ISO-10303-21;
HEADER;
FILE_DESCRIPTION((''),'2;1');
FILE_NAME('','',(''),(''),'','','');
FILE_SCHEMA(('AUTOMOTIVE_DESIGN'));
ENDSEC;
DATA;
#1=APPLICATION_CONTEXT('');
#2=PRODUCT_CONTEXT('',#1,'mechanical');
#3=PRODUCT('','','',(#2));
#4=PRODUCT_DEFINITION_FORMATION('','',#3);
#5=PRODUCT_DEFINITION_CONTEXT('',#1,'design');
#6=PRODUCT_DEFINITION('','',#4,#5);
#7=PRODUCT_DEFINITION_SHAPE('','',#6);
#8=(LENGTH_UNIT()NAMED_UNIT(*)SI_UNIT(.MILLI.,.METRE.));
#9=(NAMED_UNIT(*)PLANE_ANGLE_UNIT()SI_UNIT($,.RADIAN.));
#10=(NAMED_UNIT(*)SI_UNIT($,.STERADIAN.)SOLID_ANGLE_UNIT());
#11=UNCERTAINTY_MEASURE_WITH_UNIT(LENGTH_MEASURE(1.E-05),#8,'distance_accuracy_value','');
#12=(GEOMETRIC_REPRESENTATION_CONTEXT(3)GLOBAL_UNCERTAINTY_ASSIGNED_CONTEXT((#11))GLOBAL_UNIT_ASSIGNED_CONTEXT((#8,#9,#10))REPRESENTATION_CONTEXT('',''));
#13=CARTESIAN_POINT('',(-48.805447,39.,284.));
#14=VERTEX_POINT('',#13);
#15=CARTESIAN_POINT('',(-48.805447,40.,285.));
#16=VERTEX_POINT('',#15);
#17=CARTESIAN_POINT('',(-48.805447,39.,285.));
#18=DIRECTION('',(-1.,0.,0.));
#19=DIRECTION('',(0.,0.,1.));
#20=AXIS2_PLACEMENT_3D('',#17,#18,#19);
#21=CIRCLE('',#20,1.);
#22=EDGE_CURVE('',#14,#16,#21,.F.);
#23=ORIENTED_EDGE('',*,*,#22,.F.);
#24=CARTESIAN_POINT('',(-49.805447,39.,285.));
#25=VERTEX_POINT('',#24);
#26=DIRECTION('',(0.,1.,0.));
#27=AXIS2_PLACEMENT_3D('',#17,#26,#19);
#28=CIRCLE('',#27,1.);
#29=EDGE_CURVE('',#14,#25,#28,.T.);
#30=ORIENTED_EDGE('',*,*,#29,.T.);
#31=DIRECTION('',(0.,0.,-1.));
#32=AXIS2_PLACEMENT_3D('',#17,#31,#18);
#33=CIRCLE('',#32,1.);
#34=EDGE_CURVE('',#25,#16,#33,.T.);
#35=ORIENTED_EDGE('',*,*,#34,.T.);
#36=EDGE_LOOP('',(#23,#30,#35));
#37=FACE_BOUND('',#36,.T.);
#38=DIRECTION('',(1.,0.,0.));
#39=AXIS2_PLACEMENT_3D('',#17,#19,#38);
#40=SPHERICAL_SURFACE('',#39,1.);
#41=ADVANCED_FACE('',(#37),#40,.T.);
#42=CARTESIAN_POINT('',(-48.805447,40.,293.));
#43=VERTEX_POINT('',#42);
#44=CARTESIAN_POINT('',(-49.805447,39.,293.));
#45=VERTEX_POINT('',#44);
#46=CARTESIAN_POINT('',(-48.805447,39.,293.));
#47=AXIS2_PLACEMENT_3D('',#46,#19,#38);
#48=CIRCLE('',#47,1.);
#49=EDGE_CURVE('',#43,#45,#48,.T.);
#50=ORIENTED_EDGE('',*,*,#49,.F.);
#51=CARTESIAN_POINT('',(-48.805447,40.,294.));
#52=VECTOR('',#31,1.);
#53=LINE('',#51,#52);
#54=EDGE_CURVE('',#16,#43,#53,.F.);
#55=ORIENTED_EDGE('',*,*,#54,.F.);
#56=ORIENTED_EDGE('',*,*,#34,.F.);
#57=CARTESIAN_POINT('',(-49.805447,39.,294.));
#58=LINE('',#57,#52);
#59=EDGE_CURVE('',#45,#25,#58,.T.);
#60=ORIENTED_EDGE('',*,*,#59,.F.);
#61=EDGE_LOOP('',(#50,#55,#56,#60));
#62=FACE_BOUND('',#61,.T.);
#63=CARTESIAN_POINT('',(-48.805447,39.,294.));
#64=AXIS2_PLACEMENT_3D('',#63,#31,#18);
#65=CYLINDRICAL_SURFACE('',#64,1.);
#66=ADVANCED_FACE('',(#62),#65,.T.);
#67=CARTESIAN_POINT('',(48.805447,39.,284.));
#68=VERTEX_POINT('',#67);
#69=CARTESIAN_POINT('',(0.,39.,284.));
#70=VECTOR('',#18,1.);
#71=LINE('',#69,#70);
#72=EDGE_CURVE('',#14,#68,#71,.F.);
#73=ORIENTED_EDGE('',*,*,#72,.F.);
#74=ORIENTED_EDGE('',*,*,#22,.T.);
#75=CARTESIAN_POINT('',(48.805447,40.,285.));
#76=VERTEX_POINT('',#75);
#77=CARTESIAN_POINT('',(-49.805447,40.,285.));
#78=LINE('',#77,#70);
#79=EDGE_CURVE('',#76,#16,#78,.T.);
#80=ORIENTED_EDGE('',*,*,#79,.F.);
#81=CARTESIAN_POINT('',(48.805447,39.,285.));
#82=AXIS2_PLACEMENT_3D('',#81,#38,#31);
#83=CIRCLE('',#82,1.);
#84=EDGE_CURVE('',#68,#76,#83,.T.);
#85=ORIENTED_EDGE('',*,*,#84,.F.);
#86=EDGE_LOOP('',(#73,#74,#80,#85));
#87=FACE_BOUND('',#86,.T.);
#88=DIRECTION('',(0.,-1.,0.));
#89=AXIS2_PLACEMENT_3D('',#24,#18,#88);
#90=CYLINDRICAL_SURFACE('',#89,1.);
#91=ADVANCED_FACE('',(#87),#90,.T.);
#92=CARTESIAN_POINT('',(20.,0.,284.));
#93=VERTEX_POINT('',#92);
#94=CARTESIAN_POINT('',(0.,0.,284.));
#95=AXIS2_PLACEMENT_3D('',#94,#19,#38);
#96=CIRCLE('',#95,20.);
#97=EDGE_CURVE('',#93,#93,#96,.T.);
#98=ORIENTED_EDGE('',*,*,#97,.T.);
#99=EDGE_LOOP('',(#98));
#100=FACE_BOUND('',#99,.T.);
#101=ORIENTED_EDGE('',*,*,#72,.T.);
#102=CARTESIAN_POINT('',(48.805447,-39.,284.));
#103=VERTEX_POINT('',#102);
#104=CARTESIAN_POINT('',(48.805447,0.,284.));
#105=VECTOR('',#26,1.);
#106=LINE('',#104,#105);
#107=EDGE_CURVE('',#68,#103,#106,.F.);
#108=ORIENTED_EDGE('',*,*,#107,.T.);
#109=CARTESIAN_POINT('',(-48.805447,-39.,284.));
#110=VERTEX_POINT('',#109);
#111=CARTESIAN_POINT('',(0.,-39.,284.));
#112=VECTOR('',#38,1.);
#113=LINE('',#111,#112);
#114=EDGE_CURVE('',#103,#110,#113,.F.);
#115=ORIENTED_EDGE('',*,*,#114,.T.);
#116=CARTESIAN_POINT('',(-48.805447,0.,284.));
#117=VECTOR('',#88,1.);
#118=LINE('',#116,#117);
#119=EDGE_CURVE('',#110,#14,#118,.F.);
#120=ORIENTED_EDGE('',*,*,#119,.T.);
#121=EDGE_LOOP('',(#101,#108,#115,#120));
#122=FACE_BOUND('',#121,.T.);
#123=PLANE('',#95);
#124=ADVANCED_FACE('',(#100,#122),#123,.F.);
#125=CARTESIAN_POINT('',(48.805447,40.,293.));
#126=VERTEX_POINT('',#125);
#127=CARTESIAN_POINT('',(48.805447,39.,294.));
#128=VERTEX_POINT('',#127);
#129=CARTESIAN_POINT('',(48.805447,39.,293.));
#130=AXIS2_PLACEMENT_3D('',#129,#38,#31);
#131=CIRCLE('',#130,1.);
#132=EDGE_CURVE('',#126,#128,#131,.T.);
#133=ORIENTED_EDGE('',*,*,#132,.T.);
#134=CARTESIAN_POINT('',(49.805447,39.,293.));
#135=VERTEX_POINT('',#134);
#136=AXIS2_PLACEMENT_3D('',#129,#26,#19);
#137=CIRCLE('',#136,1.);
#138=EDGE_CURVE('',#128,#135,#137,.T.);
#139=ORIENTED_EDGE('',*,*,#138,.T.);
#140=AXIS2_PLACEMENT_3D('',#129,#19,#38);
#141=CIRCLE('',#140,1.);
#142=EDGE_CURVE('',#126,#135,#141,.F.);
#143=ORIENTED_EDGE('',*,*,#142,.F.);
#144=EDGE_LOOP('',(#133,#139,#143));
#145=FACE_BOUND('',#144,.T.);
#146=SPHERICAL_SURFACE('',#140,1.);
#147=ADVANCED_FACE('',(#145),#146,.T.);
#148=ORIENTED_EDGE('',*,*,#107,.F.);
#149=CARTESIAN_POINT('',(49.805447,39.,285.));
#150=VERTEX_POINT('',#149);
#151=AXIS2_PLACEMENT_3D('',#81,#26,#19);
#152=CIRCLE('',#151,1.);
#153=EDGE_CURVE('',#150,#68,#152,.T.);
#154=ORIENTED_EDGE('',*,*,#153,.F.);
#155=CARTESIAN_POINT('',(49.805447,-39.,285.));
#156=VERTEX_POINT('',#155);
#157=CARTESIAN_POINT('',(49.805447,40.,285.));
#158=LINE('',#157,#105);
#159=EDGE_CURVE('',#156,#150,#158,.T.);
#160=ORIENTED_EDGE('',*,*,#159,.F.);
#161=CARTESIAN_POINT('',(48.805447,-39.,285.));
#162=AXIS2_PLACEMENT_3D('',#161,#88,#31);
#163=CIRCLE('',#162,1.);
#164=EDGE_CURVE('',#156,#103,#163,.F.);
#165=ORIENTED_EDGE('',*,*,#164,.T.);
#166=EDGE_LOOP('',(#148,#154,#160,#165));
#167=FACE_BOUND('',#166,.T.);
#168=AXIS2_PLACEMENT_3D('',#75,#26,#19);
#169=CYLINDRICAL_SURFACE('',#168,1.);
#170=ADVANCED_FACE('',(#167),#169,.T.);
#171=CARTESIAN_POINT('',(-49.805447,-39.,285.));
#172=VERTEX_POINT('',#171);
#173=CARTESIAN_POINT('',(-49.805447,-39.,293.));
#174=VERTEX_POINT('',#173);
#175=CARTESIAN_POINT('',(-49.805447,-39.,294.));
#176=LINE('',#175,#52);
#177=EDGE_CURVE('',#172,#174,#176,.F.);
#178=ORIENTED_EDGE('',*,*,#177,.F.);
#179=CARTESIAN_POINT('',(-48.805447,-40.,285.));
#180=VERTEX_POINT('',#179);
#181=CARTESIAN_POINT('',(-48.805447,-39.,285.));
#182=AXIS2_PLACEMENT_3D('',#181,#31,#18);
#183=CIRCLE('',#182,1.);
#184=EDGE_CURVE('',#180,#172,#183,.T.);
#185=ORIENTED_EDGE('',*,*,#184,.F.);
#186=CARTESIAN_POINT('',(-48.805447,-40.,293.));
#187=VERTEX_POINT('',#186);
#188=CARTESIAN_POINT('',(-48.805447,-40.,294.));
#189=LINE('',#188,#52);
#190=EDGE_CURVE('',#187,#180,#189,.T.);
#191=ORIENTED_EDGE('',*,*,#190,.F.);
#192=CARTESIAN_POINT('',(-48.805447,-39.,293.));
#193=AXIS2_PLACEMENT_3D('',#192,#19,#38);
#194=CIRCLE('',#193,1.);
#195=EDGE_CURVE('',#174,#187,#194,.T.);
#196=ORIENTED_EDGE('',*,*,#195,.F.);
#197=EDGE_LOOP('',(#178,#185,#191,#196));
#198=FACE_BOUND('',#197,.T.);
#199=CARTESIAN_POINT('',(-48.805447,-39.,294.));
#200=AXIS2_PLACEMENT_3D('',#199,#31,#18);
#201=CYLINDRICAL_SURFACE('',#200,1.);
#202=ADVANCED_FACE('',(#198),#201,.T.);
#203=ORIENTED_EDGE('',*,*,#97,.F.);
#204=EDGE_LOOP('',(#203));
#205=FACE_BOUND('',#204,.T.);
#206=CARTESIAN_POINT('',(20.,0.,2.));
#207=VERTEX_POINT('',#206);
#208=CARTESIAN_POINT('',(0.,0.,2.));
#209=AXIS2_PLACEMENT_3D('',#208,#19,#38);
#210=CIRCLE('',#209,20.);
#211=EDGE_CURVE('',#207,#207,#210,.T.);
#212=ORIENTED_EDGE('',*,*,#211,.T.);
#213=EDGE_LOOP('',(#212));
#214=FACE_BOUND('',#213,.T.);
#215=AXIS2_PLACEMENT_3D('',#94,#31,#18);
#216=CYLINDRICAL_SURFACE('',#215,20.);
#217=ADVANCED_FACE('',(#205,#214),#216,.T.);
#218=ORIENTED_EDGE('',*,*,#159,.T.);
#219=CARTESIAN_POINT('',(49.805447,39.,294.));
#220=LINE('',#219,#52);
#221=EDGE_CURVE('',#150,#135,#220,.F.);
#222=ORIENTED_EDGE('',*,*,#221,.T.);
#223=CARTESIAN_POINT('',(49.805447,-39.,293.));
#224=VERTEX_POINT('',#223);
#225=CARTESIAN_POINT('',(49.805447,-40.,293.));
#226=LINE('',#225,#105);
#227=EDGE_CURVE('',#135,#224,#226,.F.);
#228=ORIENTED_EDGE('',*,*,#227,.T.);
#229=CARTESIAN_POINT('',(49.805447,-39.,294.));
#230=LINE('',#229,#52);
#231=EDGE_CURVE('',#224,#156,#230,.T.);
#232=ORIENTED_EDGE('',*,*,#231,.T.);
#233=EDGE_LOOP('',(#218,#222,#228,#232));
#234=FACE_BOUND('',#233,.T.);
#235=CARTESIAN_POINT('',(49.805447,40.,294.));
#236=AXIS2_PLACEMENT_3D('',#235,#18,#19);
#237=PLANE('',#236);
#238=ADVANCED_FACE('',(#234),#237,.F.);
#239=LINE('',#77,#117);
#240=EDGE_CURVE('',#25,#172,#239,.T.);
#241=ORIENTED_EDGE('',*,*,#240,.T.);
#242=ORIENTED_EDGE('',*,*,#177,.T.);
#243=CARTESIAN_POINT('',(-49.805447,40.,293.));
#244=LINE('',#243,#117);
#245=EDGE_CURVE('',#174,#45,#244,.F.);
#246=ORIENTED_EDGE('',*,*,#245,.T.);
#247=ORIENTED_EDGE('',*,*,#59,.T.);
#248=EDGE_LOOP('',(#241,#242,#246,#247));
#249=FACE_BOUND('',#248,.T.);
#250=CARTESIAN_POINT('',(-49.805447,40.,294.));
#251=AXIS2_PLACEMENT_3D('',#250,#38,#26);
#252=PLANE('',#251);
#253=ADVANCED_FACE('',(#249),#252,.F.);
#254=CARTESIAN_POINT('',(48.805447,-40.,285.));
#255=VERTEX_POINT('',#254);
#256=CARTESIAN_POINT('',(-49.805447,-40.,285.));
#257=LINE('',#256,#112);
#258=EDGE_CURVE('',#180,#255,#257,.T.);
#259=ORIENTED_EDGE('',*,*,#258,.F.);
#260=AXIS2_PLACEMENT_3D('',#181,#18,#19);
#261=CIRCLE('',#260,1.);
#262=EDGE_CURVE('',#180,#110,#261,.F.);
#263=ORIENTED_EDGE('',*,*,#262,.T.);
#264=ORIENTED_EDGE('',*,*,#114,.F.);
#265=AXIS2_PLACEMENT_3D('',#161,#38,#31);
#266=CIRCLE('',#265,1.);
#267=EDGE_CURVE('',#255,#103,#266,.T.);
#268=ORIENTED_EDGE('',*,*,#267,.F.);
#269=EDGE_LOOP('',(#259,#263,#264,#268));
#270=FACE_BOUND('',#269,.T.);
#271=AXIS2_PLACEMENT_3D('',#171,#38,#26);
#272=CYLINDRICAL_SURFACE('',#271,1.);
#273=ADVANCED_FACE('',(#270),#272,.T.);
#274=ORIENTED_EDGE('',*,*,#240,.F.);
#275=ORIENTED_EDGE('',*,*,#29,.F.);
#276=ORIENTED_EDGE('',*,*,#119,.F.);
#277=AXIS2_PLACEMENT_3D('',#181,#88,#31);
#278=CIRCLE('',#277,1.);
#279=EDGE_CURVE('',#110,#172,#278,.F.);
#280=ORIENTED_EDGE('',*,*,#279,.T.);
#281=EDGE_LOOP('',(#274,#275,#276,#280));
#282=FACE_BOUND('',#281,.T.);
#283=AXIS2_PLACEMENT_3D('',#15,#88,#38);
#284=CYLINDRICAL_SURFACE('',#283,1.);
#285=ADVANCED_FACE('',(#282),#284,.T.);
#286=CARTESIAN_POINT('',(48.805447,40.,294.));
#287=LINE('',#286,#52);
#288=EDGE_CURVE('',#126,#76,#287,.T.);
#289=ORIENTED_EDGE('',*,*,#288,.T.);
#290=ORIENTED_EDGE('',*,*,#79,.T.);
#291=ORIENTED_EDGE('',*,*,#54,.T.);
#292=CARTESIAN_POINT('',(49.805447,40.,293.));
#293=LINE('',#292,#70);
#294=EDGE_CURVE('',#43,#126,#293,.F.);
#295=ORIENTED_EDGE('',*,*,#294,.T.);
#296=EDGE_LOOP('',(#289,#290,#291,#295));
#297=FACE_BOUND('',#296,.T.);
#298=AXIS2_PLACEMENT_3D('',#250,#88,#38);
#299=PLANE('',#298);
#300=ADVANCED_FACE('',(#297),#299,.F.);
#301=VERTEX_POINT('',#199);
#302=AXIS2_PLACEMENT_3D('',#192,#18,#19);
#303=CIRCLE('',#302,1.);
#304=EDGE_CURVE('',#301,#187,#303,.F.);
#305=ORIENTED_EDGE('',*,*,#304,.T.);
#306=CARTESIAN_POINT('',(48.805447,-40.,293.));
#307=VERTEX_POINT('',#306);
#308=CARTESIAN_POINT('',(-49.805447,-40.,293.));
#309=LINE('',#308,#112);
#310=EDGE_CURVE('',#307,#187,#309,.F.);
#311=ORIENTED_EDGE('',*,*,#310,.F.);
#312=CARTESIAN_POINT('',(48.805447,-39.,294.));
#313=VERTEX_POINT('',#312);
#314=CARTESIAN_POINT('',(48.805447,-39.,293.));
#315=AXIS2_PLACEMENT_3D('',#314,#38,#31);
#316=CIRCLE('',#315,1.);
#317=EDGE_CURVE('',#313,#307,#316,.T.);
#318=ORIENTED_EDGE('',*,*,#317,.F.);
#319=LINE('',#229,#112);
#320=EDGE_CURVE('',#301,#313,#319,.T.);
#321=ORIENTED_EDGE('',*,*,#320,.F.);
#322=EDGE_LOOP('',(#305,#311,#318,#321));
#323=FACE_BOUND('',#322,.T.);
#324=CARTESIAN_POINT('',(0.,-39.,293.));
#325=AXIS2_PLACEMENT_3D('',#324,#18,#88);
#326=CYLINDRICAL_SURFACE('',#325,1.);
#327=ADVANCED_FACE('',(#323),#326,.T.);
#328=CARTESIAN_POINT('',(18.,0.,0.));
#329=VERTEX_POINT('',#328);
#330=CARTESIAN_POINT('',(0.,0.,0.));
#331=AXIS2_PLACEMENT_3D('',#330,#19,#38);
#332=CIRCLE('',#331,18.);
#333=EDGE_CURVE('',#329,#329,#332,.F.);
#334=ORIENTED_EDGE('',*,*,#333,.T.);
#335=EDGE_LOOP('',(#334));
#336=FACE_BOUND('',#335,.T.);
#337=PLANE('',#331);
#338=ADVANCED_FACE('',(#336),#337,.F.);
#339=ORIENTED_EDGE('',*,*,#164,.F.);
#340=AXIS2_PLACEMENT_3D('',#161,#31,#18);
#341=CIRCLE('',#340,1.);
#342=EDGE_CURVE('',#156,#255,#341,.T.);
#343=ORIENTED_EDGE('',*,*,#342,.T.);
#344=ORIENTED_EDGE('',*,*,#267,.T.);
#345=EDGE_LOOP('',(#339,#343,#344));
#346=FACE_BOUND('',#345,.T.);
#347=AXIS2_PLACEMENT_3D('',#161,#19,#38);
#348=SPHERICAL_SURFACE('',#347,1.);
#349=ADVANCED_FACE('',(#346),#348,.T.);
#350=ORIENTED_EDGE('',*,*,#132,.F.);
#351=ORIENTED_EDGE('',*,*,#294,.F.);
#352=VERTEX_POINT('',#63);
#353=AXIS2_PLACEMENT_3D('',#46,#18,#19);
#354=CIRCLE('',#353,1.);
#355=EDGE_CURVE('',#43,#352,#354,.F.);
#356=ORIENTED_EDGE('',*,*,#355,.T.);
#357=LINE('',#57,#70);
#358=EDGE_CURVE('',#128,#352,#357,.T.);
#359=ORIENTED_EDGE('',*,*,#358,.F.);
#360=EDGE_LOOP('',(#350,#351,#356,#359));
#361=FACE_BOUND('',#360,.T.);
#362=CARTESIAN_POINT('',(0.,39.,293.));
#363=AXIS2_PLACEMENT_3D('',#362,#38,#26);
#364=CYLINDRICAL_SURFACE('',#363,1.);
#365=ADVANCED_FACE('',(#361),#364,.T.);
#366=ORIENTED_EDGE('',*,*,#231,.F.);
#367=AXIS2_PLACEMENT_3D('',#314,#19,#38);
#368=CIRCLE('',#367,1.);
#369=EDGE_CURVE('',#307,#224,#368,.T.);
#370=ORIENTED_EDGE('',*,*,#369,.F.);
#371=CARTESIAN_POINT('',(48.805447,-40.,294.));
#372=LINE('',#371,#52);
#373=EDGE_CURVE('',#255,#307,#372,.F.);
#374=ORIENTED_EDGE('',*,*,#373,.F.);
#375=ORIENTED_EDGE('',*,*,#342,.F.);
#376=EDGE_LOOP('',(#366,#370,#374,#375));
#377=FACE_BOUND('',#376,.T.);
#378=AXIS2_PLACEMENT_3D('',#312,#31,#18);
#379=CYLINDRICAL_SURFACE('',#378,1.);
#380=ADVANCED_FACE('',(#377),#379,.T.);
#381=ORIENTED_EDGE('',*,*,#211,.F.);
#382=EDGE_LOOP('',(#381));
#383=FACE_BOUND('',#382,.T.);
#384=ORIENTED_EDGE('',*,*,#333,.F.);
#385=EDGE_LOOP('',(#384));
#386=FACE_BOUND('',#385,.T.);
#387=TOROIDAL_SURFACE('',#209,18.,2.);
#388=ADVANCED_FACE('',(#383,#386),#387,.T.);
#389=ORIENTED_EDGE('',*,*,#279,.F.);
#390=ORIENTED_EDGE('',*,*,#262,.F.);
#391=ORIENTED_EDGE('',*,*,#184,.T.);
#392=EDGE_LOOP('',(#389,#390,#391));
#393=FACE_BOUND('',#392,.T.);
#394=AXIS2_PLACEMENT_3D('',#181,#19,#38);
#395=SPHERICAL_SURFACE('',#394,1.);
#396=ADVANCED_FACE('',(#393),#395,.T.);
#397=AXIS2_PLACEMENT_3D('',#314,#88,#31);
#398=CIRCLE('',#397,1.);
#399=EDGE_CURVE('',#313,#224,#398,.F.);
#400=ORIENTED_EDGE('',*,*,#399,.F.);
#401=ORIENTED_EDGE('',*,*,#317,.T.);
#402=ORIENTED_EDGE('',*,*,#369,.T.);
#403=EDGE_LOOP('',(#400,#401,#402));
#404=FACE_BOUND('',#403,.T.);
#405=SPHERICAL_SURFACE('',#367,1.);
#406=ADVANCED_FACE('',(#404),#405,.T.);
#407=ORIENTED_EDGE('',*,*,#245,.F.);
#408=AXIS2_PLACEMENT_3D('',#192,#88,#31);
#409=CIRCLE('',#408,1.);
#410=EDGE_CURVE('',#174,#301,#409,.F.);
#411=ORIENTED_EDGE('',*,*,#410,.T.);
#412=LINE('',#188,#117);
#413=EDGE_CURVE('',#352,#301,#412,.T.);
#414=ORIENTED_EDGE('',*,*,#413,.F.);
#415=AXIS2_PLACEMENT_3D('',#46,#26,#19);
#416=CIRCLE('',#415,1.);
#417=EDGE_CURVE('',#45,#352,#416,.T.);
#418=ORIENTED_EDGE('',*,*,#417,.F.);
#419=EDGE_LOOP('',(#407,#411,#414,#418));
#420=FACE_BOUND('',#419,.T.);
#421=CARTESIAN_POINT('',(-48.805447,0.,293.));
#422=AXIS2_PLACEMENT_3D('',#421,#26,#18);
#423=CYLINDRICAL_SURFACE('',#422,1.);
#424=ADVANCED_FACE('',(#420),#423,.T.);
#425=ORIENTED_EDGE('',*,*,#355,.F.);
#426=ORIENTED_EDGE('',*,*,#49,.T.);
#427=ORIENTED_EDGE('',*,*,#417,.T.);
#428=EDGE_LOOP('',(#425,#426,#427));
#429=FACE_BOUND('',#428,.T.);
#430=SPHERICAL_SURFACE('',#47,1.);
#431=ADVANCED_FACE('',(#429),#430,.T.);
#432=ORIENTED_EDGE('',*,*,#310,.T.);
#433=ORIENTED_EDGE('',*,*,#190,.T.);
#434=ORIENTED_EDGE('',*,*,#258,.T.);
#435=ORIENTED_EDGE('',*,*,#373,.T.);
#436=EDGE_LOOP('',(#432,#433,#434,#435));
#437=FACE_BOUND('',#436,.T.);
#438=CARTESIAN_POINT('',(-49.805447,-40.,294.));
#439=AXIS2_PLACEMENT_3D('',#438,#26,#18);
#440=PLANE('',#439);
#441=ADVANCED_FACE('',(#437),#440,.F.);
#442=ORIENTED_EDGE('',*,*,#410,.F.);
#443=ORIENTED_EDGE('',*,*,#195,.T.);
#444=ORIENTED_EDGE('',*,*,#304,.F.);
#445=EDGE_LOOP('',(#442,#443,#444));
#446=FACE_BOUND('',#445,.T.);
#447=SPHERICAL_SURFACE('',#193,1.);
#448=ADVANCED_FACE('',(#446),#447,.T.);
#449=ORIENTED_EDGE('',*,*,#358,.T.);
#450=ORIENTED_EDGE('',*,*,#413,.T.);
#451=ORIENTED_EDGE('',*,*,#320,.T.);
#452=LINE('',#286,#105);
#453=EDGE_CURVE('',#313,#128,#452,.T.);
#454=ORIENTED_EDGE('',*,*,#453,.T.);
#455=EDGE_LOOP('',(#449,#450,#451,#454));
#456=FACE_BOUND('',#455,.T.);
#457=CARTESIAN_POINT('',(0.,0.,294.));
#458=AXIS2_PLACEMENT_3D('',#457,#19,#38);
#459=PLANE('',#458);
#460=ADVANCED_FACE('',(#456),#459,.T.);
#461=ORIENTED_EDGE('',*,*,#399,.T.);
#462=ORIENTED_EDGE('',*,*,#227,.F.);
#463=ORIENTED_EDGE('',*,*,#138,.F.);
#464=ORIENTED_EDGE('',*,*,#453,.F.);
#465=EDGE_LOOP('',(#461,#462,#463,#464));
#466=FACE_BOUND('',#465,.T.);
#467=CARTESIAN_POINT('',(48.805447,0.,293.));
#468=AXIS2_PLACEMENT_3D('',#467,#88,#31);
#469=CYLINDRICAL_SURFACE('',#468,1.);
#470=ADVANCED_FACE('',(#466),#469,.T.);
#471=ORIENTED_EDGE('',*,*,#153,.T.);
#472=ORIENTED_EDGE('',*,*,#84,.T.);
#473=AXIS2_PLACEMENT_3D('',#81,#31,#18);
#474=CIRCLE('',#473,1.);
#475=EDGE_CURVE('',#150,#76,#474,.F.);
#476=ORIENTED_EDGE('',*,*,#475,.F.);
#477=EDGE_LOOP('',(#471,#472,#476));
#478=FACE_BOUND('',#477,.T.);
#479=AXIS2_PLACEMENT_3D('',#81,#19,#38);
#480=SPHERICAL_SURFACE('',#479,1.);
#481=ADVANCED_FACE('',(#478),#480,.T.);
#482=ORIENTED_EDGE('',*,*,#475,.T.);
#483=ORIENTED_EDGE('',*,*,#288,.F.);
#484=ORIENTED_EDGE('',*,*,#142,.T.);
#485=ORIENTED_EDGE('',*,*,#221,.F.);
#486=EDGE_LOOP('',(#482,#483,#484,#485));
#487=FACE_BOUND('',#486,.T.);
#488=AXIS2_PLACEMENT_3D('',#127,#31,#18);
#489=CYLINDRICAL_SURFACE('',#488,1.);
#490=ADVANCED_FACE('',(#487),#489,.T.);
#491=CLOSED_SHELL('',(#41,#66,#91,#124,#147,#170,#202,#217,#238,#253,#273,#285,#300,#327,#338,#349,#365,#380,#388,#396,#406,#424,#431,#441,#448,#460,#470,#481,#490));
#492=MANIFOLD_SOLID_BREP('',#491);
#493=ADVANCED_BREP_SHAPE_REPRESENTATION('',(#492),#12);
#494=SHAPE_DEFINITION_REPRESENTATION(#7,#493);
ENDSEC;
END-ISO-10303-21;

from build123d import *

# Parameters (mm, degrees)
SKETCH1_R           = 20
BOSS_EXTRUDE1_DEPTH = 284
SKETCH2_W           = 99.610894942
SKETCH2_H           = 80
BOSS_EXTRUDE2_DEPTH = 10
FILLET1_R           = 2
FILLET2_R           = 1


with BuildPart() as part:
    # Sketch1 → Boss-Extrude1 (new body)
    with BuildSketch(Plane.XY):
        Circle(SKETCH1_R)
    extrude(amount=BOSS_EXTRUDE1_DEPTH)

    # Sketch2 → Boss-Extrude2 (add)
    with BuildSketch(Plane.XY.offset(284)):
        Rectangle(SKETCH2_W, SKETCH2_H)
    extrude(amount=BOSS_EXTRUDE2_DEPTH)

    # Fillet1
    fillet1_edges = [part.edges().sort_by_distance(p)[0] for p in [
        (-20, 0, 0),
    ]]
    fillet(fillet1_edges, radius=FILLET1_R)

    # Fillet2
    fillet2_edges = [part.edges().sort_by_distance(p)[0] for p in [
        (49.805447471, 0, 284),
        (49.805447471, -40, 289),
        (0, 40, 284),
        (49.805447471, 40, 289),
        (-49.805447471, 0, 284),
        (-49.805447471, 40, 289),
        (0, -40, 284),
        (-49.805447471, -40, 289),
        (49.805447471, 0, 294),
        (0, 40, 294),
        (-49.805447471, 0, 294),
        (0, -40, 294),
    ]]
    fillet(fillet2_edges, radius=FILLET2_R)


solid = part.part
